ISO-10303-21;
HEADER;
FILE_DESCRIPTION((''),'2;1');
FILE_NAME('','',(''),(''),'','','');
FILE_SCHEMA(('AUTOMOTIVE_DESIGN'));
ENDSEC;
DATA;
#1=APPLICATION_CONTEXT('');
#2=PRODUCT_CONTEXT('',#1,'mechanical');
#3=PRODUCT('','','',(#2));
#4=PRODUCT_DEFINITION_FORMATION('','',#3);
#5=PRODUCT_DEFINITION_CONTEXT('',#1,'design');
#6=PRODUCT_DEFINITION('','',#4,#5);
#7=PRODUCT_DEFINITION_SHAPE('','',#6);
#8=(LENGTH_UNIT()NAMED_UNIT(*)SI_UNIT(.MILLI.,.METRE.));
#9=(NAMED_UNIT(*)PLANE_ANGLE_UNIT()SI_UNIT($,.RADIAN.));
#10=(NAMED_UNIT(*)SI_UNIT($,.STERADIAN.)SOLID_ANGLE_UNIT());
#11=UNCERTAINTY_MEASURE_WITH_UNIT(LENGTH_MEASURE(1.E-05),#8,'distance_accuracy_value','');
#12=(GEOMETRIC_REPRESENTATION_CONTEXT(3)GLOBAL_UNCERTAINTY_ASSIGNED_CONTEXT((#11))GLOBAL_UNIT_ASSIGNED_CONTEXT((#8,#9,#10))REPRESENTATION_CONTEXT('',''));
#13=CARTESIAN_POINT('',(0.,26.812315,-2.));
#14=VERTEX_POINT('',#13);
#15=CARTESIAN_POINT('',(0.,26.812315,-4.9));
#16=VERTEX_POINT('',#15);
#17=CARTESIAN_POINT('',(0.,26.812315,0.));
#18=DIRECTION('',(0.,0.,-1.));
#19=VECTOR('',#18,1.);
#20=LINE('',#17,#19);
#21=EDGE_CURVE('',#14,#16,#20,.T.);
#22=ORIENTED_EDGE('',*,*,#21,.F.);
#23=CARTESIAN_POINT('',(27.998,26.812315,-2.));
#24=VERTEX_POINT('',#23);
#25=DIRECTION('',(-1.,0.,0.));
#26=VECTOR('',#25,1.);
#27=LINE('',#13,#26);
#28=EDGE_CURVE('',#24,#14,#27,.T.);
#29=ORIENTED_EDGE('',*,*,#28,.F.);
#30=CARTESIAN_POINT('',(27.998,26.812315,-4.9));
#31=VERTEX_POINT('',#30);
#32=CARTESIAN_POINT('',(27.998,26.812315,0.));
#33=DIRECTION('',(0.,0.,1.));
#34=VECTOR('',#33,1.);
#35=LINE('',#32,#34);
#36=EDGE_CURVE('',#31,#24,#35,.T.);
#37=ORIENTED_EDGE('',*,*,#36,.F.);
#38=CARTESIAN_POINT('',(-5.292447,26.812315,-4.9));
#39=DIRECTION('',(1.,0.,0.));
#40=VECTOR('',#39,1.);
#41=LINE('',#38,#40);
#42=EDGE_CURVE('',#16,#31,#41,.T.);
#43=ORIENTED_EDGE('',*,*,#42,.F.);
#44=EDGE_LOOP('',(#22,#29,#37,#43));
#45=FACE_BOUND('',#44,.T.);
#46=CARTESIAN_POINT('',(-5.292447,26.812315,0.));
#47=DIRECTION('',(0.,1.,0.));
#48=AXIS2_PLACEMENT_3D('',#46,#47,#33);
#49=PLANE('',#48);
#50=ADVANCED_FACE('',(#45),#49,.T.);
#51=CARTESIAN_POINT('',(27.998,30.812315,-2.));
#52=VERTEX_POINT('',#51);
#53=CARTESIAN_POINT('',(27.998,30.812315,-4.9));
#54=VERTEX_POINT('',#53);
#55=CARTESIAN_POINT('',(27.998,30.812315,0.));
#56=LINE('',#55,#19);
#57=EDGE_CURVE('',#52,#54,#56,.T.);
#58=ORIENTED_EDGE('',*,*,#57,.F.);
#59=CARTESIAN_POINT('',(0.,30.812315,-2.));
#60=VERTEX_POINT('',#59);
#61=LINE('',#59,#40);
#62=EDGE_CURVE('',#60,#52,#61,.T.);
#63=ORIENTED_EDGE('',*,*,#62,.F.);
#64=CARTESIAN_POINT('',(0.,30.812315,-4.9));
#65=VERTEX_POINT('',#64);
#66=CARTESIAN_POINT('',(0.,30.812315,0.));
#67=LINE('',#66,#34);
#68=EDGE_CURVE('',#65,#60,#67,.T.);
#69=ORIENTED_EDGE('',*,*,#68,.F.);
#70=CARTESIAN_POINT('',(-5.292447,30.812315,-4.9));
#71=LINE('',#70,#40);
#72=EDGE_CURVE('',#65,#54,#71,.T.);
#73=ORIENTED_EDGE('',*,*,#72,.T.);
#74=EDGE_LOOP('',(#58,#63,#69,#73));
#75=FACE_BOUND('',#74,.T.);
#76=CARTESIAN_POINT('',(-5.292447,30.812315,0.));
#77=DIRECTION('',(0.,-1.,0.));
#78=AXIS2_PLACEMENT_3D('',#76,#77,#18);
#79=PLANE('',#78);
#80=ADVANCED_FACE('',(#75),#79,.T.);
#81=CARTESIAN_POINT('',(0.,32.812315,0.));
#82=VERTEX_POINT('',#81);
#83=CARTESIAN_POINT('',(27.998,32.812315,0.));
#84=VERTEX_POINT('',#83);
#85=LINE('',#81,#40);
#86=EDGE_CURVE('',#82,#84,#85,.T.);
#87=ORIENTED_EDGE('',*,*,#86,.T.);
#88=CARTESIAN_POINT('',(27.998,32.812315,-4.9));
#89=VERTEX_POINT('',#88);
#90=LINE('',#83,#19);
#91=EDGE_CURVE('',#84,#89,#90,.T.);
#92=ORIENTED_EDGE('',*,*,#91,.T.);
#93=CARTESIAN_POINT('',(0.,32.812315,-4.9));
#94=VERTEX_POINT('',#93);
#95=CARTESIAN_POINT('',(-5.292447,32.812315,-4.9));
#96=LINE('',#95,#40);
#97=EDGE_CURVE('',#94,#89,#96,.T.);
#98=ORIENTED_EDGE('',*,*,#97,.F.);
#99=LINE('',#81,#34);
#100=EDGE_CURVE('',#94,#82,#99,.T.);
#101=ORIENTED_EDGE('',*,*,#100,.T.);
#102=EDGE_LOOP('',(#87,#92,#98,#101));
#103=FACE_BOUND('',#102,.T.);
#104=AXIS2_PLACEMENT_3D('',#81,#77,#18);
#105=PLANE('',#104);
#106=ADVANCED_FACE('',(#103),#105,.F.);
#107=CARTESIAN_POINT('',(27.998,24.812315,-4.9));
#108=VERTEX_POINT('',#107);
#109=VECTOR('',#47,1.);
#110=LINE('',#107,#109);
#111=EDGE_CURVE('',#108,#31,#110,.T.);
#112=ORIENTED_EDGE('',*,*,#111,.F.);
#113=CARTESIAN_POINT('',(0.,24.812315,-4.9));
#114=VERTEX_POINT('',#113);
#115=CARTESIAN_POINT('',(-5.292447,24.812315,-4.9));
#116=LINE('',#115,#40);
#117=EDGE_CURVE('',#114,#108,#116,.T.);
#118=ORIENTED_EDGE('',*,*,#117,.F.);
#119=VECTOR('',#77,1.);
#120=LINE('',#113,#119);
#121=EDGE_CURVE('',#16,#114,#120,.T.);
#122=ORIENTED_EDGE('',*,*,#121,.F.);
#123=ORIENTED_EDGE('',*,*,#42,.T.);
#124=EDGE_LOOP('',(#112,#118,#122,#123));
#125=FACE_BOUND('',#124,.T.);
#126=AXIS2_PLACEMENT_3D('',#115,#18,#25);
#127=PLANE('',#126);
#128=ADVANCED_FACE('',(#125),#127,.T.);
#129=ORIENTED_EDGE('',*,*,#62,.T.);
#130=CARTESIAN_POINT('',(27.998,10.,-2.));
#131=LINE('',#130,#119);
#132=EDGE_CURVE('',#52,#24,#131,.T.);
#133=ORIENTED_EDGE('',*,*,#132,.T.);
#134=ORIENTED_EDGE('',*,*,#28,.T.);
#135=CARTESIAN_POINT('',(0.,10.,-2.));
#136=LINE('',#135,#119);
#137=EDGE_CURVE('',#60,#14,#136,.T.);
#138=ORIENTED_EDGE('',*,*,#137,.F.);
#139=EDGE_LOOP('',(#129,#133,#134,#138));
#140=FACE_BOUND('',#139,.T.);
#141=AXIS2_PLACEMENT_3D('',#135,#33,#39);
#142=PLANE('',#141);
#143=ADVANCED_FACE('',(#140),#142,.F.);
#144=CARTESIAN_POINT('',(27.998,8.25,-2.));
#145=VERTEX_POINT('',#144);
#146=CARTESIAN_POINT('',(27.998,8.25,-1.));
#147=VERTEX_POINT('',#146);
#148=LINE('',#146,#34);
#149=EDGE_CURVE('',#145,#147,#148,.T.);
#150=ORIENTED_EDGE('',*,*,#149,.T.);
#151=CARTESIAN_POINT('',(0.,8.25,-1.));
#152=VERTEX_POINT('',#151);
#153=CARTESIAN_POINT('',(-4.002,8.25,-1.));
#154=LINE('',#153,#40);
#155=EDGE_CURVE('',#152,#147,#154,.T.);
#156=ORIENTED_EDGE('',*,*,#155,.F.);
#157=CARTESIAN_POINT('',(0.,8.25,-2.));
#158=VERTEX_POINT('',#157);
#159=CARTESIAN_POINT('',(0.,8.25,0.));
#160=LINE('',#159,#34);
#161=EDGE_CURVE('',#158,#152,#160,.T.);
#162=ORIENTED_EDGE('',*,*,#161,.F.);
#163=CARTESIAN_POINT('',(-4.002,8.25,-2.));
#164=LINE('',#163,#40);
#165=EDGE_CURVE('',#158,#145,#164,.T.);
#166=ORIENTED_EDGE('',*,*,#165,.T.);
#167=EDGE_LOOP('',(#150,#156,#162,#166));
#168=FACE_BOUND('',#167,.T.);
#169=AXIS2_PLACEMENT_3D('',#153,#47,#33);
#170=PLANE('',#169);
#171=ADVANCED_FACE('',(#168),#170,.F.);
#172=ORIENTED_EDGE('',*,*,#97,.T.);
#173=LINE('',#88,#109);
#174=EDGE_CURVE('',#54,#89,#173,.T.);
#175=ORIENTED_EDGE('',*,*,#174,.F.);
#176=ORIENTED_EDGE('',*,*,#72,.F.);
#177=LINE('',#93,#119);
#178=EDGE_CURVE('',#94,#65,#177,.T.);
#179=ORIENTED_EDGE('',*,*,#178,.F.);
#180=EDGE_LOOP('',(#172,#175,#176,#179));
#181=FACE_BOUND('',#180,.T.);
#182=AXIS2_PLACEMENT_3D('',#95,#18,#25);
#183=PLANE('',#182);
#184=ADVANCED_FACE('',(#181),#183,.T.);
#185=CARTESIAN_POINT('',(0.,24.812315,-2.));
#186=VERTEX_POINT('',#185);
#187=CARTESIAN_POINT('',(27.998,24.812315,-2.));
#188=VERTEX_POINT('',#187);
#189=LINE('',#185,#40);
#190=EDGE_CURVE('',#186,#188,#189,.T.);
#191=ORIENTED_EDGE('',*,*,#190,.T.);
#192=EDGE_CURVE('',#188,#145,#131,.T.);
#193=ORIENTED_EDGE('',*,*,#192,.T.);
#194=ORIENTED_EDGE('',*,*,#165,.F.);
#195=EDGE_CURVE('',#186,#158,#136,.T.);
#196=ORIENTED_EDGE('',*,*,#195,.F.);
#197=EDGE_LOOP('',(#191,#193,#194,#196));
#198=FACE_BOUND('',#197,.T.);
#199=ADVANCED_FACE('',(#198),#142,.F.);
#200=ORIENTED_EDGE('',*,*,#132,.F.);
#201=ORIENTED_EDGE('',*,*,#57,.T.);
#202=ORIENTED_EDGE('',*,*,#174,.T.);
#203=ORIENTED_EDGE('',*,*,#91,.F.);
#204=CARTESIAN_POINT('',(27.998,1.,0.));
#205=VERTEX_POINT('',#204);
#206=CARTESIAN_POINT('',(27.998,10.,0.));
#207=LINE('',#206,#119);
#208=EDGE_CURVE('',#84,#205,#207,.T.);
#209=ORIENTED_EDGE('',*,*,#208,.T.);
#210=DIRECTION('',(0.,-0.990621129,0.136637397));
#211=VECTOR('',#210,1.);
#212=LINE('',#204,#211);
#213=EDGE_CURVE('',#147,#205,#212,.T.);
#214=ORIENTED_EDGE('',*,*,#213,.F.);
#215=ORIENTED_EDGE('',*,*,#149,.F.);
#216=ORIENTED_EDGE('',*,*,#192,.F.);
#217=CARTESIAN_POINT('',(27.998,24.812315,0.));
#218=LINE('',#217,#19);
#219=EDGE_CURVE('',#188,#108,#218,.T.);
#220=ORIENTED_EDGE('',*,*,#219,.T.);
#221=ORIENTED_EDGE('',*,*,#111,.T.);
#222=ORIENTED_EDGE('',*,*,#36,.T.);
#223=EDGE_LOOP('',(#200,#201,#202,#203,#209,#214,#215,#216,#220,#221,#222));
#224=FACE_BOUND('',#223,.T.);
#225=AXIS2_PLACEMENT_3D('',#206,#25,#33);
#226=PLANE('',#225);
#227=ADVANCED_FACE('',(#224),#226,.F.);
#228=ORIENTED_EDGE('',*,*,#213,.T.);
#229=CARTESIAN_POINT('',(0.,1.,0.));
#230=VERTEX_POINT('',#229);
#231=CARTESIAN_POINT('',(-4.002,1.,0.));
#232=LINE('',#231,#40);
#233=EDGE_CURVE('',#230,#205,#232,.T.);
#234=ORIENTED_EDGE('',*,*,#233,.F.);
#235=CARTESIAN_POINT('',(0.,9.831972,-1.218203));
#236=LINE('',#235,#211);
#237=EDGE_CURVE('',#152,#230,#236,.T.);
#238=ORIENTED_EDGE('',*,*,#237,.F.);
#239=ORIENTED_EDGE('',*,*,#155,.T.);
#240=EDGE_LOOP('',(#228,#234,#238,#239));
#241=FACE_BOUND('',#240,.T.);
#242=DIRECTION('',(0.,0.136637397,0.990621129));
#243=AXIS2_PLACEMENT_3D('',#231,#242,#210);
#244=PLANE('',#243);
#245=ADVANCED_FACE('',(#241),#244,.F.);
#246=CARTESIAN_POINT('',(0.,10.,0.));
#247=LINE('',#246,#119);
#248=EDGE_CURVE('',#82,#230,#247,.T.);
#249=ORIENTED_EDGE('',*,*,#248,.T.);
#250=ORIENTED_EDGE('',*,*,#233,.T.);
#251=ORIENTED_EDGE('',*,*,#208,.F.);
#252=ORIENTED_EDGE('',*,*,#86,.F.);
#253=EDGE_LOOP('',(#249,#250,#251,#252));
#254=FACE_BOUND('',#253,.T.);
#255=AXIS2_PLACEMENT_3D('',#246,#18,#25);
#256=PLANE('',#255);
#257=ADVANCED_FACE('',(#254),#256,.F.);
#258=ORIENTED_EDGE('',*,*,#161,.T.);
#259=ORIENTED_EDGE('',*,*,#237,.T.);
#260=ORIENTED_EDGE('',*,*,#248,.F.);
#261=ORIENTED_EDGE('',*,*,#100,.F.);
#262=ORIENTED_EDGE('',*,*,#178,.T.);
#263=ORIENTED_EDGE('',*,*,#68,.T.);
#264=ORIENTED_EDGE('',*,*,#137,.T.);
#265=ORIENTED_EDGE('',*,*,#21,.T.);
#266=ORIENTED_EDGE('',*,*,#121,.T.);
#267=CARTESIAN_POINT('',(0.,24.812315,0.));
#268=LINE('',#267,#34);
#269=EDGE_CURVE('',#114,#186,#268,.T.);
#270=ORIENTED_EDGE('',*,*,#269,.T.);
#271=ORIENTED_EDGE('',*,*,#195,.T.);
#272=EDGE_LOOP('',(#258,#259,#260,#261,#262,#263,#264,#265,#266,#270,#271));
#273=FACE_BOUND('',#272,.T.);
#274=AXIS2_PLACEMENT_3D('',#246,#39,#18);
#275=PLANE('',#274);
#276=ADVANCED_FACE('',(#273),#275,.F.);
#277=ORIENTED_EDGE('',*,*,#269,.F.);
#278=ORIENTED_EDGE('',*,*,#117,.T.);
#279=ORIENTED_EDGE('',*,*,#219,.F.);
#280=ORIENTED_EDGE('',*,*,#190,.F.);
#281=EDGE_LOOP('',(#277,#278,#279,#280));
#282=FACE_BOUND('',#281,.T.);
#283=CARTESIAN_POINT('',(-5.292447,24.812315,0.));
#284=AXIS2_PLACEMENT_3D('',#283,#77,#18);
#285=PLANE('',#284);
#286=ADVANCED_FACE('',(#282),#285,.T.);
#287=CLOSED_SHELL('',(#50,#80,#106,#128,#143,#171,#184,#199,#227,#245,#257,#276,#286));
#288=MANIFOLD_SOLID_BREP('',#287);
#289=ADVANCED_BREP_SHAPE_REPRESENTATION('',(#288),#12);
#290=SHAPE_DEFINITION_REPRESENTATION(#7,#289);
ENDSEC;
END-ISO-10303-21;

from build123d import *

# Parameters (mm, degrees)
SKETCH1_W           = 27.99800038
SKETCH1_H           = 2
BOSS_EXTRUDE1_DEPTH = 10
CUT_EXTRUDE1_DEPTH  = 32
SKETCH4_W           = 27.99800038
SKETCH4_H           = 2
BOSS_EXTRUDE2_DEPTH = 22.81231465
SKETCH5_W           = 4.9
SKETCH5_H           = 2
BOSS_EXTRUDE3_DEPTH = 27.99800038


with BuildPart() as part:
    # Sketch1 → Boss-Extrude1 (new body)
    with BuildSketch(Plane(origin=(0, 0, 0), x_dir=(1, 0, 0), z_dir=(0, 1, 0))):
        with Locations((13.99900019, 1)):
            Rectangle(SKETCH1_W, SKETCH1_H)
    extrude(amount=BOSS_EXTRUDE1_DEPTH)

    # Sketch3 → Cut-Extrude1 (cut)
    with BuildSketch(Plane(origin=(27.99800038, 0, 0), x_dir=(0, 0, -1), z_dir=(1, 0, 0))):
        Polygon((1, 8.25), (2, 8.25), (2, 0), (0, 0), (0, 1), align=None)
    extrude(amount=-CUT_EXTRUDE1_DEPTH, mode=Mode.SUBTRACT)

    # Sketch4 → Boss-Extrude2 (add)
    with BuildSketch(Plane(origin=(0, 10, 0), x_dir=(1, 0, 0), z_dir=(0, 1, 0))):
        with Locations((13.99900019, 1)):
            Rectangle(SKETCH4_W, SKETCH4_H)
    extrude(amount=BOSS_EXTRUDE2_DEPTH)

    # Sketch5 → Boss-Extrude3 (add)
    with BuildSketch(Plane(origin=(27.99800038, 0, 0), x_dir=(0, 0, -1), z_dir=(1, 0, 0))):
        with Locations((2.45, 31.81231465)):
            Rectangle(SKETCH5_W, SKETCH5_H)
        with Locations((2.45, 25.81231465)):
            Rectangle(SKETCH5_W, SKETCH5_H)
    extrude(amount=-BOSS_EXTRUDE3_DEPTH)


solid = part.part
